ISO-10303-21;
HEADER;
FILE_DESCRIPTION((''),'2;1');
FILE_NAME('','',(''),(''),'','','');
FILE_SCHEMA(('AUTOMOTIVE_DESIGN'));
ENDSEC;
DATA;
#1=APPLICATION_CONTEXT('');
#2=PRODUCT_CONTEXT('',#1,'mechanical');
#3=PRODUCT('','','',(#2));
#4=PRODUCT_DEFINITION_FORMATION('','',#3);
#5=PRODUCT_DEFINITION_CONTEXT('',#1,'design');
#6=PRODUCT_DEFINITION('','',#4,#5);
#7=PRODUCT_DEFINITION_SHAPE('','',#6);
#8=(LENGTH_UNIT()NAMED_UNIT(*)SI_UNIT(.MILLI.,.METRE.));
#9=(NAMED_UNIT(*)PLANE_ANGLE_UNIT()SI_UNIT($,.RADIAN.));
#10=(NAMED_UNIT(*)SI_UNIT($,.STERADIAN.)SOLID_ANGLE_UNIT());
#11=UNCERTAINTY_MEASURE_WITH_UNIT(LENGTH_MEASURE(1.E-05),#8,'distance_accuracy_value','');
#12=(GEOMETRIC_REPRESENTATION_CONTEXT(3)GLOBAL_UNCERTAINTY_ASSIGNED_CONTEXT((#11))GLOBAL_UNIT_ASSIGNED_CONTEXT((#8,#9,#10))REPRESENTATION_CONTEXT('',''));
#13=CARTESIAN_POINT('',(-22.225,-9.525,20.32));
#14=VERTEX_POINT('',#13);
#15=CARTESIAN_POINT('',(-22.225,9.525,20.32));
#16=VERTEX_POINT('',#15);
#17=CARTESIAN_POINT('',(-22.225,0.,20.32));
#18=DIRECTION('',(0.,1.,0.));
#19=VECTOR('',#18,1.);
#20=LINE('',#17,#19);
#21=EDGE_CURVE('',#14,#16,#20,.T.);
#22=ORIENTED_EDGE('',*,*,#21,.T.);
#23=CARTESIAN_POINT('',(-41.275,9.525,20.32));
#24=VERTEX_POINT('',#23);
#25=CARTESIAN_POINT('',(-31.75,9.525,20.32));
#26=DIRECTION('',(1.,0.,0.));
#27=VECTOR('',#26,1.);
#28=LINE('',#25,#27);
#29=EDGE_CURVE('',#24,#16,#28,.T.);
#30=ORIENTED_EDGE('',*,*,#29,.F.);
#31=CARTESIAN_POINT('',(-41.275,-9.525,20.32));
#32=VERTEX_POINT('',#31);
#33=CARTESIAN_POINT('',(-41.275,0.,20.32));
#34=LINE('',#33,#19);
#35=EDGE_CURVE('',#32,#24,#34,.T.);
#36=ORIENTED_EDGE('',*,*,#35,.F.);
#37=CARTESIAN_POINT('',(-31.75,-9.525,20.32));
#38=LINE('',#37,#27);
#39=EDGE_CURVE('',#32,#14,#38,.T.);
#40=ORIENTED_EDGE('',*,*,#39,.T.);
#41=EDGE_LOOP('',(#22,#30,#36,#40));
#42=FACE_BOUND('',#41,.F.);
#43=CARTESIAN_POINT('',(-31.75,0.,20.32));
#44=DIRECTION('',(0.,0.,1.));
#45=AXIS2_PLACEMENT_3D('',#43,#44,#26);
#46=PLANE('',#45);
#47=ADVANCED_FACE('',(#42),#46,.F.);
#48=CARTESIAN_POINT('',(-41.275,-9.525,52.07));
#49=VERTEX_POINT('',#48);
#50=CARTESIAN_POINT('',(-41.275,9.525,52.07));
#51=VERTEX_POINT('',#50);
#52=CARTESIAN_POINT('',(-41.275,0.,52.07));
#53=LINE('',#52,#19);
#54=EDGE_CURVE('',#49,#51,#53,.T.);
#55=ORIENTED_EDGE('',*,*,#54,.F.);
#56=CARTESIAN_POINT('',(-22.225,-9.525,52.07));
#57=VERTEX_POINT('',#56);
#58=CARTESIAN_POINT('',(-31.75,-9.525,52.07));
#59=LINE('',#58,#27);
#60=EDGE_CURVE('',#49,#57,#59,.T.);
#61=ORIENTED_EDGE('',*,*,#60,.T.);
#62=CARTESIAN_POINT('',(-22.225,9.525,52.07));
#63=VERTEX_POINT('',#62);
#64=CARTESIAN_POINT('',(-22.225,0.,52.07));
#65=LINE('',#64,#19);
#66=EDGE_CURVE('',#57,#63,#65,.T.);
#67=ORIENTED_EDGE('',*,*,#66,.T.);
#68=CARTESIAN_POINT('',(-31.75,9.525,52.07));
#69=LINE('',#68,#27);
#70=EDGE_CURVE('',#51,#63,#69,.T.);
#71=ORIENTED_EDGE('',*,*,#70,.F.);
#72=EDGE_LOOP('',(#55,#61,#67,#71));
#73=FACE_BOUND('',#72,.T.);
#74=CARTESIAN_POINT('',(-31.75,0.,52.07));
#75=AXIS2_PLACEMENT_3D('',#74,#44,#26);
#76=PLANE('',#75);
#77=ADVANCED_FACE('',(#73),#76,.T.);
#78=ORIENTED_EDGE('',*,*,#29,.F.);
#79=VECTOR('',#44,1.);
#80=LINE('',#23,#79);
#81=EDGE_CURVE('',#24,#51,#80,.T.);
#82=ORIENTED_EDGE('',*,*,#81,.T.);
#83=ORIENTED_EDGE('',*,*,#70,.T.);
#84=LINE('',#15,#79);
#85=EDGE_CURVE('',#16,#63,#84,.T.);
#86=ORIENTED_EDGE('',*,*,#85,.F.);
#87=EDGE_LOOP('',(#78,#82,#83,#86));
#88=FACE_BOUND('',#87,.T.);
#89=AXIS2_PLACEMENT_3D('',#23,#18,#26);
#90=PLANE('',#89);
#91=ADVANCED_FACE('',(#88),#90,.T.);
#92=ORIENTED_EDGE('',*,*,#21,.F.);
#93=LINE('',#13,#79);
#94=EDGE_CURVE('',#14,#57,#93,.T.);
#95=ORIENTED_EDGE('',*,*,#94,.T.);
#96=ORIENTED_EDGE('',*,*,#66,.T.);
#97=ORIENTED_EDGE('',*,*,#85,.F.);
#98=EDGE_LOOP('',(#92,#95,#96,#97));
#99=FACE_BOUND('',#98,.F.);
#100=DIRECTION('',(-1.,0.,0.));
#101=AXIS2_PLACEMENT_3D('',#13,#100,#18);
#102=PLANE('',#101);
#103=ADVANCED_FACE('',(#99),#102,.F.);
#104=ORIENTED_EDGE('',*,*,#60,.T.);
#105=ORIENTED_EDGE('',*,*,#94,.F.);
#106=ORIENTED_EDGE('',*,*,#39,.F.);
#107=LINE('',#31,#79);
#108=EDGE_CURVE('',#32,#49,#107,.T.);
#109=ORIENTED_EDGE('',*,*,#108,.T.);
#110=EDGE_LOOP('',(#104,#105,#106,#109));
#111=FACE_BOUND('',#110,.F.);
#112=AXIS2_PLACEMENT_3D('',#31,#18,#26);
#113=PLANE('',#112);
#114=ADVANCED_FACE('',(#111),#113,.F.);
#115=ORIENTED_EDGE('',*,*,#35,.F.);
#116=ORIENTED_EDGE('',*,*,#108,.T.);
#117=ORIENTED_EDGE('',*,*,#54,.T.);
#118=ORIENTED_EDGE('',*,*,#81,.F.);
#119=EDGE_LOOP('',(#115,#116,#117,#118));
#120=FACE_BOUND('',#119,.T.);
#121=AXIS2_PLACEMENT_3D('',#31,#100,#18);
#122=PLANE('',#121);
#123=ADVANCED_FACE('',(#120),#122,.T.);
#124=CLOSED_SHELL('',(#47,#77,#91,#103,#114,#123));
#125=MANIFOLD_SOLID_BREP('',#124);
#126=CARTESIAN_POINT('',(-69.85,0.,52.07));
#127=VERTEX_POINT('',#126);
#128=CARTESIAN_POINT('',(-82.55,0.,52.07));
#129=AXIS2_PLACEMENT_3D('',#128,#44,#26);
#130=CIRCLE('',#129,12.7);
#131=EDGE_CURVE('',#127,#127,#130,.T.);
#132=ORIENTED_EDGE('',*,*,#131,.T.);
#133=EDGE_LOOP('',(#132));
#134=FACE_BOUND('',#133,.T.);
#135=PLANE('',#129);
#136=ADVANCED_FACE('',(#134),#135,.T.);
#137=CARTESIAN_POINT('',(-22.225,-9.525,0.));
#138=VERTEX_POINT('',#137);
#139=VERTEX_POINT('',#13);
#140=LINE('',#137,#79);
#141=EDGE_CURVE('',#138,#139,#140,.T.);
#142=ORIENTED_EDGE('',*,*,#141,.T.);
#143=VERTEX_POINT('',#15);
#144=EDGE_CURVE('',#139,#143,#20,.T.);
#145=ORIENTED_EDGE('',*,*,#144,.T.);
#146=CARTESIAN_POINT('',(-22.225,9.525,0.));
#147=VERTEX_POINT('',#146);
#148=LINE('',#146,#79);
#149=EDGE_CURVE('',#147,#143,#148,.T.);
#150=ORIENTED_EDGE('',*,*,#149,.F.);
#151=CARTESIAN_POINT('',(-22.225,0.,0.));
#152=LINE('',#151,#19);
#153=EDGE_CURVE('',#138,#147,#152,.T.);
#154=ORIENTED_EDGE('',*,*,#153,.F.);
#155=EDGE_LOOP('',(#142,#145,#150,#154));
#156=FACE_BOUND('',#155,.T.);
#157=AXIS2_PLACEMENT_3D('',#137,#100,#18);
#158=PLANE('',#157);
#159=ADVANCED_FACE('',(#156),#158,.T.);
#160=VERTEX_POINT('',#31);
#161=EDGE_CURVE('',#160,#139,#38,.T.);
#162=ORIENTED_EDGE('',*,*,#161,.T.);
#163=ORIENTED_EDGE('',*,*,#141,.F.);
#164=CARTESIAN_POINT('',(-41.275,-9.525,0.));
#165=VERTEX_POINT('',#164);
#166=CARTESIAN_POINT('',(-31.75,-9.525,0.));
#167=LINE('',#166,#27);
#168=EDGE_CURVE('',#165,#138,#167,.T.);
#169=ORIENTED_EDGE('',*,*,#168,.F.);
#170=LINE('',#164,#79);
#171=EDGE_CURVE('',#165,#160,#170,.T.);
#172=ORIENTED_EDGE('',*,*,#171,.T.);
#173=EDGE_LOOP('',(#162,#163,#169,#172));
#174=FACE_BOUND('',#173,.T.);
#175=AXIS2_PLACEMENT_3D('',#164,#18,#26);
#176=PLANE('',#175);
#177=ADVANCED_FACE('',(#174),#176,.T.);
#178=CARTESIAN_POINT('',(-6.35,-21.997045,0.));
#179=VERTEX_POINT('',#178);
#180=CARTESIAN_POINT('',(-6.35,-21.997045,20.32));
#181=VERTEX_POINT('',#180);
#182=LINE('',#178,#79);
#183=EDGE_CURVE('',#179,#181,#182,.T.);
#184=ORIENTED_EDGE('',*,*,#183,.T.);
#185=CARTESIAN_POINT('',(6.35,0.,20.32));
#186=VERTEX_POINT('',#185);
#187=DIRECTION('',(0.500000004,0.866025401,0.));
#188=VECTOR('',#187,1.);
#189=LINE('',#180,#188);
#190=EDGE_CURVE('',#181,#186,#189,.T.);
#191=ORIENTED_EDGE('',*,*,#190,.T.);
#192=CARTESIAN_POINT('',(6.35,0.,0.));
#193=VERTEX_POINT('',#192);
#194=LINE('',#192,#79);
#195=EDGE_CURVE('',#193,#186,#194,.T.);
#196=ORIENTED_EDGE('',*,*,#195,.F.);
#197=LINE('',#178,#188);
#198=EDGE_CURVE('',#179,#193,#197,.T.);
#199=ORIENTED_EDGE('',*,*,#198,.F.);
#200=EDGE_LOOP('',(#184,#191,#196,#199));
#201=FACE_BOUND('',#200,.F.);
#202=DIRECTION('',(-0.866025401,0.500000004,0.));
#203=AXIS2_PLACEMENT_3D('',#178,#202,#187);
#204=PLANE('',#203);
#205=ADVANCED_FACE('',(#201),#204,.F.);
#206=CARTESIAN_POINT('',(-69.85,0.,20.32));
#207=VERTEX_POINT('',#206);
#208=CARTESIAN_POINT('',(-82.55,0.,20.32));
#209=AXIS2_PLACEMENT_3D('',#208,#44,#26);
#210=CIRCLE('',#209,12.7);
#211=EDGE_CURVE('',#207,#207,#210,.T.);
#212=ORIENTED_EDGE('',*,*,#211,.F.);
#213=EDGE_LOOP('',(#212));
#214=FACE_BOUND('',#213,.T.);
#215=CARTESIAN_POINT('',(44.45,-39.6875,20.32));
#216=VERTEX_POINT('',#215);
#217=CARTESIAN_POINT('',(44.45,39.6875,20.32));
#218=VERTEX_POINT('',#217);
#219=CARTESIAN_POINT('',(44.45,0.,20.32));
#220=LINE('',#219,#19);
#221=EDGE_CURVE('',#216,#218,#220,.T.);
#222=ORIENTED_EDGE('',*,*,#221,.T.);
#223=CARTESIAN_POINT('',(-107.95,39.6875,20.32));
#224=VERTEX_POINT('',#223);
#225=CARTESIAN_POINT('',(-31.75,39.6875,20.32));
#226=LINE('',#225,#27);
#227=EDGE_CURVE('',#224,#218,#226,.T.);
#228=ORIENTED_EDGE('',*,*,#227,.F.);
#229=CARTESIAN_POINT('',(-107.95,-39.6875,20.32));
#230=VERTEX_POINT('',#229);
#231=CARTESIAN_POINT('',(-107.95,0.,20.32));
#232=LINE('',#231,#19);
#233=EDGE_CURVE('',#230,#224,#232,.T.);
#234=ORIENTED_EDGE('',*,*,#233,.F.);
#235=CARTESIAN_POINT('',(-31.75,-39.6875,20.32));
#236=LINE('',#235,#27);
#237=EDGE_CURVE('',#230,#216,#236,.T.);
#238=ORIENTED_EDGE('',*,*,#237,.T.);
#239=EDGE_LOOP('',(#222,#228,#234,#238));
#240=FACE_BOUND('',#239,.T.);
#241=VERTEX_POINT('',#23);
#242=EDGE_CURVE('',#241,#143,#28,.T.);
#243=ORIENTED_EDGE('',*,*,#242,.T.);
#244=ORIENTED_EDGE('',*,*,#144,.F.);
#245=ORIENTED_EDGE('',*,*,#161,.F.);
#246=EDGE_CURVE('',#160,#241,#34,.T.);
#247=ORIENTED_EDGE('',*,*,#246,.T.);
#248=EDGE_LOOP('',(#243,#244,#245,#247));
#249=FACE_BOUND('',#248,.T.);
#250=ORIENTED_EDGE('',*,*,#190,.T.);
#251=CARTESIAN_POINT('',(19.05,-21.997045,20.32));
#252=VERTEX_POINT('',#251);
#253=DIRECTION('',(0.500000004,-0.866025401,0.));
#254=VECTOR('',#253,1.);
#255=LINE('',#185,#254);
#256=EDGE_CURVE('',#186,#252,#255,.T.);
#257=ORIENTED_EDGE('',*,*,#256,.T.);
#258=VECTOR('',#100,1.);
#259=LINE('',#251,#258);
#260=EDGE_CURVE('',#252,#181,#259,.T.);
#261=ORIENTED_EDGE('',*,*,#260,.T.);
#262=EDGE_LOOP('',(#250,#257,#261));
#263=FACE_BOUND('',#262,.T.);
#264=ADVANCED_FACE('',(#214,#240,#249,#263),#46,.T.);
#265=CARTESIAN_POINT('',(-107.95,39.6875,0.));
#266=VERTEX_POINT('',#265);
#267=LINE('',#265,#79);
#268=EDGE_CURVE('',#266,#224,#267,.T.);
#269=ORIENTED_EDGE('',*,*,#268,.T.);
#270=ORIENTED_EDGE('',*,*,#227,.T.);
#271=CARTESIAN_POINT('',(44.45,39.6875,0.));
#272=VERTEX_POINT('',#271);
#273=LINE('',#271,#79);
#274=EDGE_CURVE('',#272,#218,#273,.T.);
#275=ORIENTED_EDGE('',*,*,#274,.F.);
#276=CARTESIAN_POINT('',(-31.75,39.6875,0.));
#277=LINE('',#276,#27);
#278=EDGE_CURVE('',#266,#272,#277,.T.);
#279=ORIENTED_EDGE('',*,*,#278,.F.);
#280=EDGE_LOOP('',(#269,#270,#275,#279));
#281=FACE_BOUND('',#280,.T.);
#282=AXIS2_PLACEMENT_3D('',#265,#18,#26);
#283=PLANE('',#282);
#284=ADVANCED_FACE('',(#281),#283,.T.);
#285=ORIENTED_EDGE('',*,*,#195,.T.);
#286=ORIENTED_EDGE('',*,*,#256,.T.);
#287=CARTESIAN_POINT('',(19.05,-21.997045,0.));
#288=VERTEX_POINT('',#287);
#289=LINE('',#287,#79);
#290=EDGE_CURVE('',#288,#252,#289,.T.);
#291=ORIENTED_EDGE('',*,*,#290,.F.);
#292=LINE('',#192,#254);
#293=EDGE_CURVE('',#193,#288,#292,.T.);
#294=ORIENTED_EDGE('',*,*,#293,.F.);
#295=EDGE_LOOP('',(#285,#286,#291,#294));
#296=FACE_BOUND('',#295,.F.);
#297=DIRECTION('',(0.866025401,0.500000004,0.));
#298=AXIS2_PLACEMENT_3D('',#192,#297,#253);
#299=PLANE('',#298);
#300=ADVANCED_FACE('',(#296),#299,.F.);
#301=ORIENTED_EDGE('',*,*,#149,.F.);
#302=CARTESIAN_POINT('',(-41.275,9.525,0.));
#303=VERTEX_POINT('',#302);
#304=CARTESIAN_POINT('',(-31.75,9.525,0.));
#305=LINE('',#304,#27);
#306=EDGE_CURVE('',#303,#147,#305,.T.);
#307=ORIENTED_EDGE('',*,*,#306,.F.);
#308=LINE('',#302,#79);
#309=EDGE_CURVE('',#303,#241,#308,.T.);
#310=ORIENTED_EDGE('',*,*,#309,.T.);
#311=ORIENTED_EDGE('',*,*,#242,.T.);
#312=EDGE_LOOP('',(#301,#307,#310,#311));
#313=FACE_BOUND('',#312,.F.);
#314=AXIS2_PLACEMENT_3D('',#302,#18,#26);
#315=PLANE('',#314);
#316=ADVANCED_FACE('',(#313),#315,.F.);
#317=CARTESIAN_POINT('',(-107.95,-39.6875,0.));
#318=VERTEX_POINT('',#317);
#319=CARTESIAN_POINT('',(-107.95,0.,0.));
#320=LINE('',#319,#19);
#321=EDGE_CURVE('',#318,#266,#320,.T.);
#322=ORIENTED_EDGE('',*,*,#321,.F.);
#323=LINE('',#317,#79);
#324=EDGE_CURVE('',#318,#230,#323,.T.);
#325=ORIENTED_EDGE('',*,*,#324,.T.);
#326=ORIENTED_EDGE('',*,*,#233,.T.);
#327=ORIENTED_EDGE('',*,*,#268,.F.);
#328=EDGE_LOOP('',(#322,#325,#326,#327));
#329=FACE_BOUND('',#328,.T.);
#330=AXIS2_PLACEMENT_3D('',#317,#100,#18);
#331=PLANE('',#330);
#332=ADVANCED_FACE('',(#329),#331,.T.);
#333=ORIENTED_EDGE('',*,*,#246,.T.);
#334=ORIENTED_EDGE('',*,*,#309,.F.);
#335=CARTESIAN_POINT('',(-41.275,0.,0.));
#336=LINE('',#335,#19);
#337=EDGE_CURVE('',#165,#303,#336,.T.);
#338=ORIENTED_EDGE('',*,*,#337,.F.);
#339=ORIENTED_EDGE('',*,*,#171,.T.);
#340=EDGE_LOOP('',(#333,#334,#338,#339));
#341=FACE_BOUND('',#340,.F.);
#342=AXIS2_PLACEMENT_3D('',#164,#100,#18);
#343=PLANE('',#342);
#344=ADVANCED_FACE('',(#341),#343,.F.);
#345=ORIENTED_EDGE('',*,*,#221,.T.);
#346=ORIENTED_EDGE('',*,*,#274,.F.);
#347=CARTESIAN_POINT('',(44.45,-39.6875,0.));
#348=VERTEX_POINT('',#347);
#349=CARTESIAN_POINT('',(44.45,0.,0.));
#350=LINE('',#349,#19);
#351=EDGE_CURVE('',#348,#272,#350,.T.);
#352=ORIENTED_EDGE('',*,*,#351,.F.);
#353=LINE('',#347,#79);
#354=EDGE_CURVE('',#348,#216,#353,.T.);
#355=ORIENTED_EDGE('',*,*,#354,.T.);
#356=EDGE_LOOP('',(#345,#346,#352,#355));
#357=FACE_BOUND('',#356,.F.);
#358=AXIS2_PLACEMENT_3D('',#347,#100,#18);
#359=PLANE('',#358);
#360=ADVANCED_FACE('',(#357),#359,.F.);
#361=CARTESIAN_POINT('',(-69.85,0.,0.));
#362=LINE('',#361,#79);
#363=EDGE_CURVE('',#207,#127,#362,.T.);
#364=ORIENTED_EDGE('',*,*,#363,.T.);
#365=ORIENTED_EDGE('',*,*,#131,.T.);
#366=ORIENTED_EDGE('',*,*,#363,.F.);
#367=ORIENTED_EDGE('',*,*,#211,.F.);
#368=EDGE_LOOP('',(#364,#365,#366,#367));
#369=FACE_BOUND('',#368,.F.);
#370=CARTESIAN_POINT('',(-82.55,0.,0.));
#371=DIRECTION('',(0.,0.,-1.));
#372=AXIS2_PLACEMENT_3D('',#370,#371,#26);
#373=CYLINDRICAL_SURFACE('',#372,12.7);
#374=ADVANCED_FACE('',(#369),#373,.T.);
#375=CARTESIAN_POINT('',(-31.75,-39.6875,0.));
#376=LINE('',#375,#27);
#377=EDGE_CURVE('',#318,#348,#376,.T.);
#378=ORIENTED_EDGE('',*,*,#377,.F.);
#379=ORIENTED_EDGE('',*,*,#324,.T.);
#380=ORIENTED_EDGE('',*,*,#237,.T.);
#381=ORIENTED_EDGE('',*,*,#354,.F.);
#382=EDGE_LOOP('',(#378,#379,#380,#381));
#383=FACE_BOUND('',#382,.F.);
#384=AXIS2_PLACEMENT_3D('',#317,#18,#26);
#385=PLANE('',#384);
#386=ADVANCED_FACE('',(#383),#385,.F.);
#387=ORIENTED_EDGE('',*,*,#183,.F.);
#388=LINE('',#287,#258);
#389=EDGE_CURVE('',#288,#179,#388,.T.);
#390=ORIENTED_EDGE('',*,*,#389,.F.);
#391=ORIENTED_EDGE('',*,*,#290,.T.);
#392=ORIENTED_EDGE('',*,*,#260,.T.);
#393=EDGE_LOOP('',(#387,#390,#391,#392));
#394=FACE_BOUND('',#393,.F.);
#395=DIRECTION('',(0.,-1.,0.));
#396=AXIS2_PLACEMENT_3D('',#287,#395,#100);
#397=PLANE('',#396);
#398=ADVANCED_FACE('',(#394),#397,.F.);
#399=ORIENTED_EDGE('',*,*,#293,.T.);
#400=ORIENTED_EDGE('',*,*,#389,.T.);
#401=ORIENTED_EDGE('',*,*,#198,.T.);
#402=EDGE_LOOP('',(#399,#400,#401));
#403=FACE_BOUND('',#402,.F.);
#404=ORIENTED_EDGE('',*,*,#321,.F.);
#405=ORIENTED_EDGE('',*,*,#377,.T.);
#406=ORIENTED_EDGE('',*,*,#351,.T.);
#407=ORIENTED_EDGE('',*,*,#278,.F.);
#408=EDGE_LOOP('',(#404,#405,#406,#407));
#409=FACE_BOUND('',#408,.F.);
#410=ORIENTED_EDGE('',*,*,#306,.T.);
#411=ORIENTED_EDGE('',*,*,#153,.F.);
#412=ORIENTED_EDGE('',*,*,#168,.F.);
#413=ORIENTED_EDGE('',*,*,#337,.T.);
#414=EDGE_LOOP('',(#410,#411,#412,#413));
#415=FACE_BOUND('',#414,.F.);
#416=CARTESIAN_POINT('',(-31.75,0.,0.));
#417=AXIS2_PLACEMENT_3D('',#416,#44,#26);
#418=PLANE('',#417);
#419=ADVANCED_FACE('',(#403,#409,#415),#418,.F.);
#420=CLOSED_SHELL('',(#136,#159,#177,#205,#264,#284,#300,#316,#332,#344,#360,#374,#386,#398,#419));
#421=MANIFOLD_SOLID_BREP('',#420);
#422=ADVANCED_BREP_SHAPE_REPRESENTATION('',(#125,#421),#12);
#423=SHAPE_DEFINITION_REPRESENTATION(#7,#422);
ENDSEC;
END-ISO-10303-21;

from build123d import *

# Parameters (mm, degrees)
F0_W     = 152.4
F0_H     = 79.375
F0_R     = 12.7
F0_W_2   = 19.05
F0_H_2   = 19.05
F1_DEPTH = 20.32
F2_DEPTH = 52.07
F3_W     = 19.05
F3_H     = 19.05
F4_DEPTH = 31.75


with BuildPart() as f1:
    # F0 (on Top) → F1 (new body)
    with BuildSketch(Plane.XY):
        with Locations((-31.75, 0)):
            Rectangle(F0_W, F0_H)
        Polygon((-6.35, -21.997045), (6.35, 0), (19.05, -21.997045), align=None, mode=Mode.SUBTRACT)
        with Locations((-82.55, 0)):
            Circle(F0_R, mode=Mode.SUBTRACT)
        with Locations((-31.75, 0)):
            Rectangle(F0_W_2, F0_H_2, mode=Mode.SUBTRACT)
    extrude(amount=F1_DEPTH)

    # F0 (on Top) → F2 (join)
    with BuildSketch(Plane.XY):
        with Locations((-82.55, 0)):
            Circle(F0_R)
    extrude(amount=F2_DEPTH)


with BuildPart() as f4:
    # F3 (on face) → F4 (new body)
    with BuildSketch(Plane.XY.offset(20.32)):
        with Locations((-31.75, 0)):
            Rectangle(F3_W, F3_H)
    extrude(amount=F4_DEPTH)


solid = Compound([f1.part, f4.part])
